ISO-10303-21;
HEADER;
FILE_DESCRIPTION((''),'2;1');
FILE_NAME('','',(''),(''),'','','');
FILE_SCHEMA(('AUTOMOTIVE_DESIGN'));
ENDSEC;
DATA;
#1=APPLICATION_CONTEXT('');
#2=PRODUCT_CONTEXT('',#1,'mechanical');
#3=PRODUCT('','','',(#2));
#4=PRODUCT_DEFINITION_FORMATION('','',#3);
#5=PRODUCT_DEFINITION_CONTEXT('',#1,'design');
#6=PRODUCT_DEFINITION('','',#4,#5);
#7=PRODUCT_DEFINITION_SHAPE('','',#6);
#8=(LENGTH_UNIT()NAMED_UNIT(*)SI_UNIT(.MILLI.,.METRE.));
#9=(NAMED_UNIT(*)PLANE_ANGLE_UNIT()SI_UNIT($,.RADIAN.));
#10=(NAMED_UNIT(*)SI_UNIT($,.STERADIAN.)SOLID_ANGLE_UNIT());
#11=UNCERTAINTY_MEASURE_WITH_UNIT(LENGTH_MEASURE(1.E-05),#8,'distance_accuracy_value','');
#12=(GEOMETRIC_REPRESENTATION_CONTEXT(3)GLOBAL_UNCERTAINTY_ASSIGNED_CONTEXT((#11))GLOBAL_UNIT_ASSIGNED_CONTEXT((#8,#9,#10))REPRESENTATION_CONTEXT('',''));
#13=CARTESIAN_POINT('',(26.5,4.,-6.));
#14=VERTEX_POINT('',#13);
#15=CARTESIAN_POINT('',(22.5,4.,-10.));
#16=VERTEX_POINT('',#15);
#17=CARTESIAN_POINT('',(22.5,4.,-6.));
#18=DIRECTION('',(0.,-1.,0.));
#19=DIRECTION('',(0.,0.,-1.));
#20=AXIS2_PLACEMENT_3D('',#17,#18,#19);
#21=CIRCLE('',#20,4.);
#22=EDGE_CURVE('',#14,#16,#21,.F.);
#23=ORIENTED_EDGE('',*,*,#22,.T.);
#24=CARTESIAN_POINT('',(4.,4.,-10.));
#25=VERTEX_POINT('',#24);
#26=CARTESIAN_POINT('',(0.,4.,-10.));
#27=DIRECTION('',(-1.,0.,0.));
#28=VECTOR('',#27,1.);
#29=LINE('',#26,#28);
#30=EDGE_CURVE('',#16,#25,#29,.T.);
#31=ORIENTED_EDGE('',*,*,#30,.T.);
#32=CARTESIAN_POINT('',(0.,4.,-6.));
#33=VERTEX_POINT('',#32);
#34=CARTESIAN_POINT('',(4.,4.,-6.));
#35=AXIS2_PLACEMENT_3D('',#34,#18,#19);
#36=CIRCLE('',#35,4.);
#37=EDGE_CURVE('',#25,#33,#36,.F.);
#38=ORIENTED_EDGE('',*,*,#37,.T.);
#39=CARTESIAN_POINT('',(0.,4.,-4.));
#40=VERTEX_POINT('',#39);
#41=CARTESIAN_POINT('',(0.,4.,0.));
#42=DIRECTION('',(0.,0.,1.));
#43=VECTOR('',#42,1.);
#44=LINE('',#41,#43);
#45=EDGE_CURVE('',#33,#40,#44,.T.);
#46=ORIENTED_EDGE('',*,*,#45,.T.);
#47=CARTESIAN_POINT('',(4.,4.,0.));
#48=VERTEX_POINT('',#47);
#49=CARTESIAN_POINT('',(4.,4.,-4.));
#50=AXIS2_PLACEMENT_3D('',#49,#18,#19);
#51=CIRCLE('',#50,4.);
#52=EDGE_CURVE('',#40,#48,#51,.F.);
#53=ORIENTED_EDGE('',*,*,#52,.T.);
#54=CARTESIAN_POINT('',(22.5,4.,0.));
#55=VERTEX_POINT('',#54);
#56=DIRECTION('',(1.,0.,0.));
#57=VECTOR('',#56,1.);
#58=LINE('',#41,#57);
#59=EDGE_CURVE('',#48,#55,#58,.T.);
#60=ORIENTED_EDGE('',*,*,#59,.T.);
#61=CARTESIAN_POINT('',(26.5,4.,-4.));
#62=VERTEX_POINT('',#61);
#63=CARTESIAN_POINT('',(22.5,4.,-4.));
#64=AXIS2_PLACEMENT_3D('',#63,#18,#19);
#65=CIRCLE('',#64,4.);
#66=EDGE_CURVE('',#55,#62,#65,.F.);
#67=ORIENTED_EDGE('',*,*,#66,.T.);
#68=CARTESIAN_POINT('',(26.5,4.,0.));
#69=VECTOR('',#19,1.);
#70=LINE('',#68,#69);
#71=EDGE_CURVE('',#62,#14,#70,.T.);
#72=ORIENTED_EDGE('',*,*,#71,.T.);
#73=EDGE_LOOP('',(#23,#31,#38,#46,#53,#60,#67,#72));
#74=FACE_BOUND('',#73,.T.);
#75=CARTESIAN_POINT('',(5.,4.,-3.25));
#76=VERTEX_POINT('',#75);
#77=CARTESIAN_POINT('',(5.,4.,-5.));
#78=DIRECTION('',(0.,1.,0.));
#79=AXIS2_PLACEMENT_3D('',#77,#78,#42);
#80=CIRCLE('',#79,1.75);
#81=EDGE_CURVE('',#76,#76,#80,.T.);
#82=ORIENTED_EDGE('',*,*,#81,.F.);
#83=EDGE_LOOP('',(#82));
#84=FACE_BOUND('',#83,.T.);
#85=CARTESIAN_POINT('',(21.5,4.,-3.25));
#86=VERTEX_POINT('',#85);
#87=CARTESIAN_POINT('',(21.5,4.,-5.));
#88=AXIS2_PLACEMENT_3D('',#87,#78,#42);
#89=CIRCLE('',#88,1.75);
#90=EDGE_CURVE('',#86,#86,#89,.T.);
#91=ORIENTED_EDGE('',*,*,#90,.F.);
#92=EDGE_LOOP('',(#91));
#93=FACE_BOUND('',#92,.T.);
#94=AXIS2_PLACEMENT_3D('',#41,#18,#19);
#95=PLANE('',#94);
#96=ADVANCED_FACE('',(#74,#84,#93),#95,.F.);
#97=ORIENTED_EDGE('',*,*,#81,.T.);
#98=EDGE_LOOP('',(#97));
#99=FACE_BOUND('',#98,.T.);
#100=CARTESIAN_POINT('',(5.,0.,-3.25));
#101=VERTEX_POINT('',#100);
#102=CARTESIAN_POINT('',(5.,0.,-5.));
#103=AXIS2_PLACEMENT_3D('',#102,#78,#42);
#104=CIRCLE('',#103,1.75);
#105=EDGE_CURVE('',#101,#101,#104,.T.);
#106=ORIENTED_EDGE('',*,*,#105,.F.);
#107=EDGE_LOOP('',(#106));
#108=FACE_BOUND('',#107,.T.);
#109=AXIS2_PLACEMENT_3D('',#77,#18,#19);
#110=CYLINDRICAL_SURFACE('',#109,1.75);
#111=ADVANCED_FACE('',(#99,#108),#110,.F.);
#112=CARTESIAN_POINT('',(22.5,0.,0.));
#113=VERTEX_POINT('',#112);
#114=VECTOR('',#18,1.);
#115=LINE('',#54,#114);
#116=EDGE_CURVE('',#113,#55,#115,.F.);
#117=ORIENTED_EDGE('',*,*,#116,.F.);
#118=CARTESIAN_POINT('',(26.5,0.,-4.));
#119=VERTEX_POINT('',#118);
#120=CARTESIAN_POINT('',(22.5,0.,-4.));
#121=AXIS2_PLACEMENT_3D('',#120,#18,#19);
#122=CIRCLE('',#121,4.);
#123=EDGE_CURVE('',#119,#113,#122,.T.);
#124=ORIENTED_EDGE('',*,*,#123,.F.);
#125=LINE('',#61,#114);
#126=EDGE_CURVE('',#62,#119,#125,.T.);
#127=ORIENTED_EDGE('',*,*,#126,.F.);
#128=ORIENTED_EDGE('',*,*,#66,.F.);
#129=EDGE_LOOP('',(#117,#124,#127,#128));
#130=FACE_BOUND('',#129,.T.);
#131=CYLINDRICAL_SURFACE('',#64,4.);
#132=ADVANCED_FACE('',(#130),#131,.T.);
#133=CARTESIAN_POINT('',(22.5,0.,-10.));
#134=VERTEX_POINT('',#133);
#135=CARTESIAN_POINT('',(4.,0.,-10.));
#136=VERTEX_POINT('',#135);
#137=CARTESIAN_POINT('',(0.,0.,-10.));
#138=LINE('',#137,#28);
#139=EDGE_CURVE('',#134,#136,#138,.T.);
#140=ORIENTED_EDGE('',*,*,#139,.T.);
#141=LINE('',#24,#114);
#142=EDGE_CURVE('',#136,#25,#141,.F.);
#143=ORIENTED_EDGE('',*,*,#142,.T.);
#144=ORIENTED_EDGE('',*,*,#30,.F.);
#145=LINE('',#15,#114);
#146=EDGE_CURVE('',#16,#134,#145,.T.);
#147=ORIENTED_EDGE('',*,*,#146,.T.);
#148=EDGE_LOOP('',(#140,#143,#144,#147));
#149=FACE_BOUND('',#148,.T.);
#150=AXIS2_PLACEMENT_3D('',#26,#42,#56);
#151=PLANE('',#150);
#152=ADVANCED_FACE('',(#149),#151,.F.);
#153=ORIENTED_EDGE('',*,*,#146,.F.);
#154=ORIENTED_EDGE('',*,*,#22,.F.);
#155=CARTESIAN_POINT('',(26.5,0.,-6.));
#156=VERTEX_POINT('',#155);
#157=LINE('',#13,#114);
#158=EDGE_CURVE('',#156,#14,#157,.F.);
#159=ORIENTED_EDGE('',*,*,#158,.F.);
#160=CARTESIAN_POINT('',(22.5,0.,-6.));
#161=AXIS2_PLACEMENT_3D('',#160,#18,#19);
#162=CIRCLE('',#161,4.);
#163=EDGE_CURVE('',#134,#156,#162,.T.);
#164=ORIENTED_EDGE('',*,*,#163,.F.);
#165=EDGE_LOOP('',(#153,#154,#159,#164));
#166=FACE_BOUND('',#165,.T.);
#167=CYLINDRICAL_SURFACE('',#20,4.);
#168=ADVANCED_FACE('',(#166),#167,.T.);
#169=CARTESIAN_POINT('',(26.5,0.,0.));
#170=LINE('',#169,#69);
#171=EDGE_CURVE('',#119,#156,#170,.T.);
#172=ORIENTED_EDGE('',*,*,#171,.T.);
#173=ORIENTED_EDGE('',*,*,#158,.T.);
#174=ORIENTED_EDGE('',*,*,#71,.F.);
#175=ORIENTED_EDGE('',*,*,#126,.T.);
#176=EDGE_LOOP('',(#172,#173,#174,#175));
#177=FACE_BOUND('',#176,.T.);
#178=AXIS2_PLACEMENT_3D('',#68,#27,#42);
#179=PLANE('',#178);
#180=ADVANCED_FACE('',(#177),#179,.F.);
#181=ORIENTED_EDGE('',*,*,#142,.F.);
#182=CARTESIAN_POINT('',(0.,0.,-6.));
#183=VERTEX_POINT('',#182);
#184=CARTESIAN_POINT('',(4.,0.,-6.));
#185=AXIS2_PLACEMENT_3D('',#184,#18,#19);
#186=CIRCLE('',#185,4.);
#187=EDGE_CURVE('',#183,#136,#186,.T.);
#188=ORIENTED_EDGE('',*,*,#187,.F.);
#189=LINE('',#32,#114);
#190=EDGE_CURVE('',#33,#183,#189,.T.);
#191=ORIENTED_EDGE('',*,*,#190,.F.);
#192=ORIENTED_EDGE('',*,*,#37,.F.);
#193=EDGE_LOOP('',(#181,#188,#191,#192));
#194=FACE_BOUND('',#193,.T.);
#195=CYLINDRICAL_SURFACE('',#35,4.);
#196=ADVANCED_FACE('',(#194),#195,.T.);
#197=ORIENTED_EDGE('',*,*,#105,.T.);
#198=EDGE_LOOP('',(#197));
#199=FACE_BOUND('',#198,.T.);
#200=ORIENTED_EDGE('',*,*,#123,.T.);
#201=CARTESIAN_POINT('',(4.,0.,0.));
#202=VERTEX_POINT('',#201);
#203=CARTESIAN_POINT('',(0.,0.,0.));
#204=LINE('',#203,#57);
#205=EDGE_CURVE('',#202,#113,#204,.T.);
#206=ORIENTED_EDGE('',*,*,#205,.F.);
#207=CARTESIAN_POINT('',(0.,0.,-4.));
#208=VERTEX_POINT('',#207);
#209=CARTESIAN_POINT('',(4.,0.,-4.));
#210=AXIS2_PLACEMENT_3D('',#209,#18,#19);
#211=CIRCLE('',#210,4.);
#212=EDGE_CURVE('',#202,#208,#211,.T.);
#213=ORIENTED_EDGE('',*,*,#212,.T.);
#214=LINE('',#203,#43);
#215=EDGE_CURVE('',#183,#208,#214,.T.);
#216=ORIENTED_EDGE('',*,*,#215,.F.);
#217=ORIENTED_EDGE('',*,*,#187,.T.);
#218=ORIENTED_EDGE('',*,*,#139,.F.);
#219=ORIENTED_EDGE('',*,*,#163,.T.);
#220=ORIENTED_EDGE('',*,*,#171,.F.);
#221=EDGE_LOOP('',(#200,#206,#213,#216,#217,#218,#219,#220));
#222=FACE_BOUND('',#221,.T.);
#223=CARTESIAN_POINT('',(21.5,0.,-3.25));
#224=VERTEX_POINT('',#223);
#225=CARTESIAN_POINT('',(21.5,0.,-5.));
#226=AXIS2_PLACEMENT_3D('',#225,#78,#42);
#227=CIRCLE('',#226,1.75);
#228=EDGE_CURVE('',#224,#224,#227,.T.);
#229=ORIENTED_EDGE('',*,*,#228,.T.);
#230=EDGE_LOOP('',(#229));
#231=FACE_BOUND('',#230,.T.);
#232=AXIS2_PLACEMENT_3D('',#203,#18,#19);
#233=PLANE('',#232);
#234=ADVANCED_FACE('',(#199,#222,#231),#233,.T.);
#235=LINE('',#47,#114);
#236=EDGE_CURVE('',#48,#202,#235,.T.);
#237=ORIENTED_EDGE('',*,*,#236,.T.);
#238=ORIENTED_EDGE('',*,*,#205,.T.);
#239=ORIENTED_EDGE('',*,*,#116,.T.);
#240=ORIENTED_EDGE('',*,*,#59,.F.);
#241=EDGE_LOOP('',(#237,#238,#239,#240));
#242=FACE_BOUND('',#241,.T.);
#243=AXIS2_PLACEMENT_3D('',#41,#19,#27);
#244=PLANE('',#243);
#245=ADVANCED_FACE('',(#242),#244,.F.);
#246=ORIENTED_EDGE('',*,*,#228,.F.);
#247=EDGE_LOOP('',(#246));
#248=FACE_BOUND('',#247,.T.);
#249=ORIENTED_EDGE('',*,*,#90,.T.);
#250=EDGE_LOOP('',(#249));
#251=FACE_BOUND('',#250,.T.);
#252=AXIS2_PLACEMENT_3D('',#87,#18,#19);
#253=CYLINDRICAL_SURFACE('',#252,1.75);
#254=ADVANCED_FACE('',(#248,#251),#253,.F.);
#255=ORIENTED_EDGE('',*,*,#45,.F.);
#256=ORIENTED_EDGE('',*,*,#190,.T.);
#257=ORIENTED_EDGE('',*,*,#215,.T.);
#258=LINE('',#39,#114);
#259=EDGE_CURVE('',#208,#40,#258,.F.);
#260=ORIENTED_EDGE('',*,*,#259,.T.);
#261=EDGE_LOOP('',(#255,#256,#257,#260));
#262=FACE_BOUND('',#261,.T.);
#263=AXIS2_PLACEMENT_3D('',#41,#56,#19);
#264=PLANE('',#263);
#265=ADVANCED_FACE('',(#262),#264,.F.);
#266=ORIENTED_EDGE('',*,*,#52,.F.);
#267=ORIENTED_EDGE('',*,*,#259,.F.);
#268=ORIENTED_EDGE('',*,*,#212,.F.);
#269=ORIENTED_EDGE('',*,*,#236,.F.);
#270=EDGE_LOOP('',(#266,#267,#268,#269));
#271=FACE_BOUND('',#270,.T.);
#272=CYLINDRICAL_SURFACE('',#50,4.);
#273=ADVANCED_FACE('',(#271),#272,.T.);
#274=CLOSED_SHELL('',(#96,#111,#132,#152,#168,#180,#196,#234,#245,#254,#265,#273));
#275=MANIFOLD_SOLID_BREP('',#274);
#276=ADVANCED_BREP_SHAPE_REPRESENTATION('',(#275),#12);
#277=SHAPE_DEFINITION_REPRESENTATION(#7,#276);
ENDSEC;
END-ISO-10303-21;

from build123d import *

# Parameters (mm, degrees)
SKETCH1_W           = 26.5
SKETCH1_H           = 10
SKETCH1_R           = 1.75
BOSS_EXTRUDE1_DEPTH = 4
FILLET1_R           = 4


with BuildPart() as part:
    # Sketch1 → Boss-Extrude1 (new body)
    with BuildSketch(Plane(origin=(0, 0, 0), x_dir=(1, 0, 0), z_dir=(0, 1, 0))):
        with Locations((13.25, 5)):
            Rectangle(SKETCH1_W, SKETCH1_H)
        with Locations(Location((5, 5, 0), (0, 0, 270))):
            Circle(SKETCH1_R, mode=Mode.SUBTRACT)
        with Locations(Location((21.5, 5, 0), (0, 0, 270))):
            Circle(SKETCH1_R, mode=Mode.SUBTRACT)
    extrude(amount=BOSS_EXTRUDE1_DEPTH)

    # Fillet1
    fillet1_edges = [part.edges().sort_by_distance(p)[0] for p in [
        (0, 2, -10),
        (26.5, 2, -10),
        (26.5, 2, 0),
        (0, 2, 0),
    ]]
    fillet(fillet1_edges, radius=FILLET1_R)


solid = part.part
